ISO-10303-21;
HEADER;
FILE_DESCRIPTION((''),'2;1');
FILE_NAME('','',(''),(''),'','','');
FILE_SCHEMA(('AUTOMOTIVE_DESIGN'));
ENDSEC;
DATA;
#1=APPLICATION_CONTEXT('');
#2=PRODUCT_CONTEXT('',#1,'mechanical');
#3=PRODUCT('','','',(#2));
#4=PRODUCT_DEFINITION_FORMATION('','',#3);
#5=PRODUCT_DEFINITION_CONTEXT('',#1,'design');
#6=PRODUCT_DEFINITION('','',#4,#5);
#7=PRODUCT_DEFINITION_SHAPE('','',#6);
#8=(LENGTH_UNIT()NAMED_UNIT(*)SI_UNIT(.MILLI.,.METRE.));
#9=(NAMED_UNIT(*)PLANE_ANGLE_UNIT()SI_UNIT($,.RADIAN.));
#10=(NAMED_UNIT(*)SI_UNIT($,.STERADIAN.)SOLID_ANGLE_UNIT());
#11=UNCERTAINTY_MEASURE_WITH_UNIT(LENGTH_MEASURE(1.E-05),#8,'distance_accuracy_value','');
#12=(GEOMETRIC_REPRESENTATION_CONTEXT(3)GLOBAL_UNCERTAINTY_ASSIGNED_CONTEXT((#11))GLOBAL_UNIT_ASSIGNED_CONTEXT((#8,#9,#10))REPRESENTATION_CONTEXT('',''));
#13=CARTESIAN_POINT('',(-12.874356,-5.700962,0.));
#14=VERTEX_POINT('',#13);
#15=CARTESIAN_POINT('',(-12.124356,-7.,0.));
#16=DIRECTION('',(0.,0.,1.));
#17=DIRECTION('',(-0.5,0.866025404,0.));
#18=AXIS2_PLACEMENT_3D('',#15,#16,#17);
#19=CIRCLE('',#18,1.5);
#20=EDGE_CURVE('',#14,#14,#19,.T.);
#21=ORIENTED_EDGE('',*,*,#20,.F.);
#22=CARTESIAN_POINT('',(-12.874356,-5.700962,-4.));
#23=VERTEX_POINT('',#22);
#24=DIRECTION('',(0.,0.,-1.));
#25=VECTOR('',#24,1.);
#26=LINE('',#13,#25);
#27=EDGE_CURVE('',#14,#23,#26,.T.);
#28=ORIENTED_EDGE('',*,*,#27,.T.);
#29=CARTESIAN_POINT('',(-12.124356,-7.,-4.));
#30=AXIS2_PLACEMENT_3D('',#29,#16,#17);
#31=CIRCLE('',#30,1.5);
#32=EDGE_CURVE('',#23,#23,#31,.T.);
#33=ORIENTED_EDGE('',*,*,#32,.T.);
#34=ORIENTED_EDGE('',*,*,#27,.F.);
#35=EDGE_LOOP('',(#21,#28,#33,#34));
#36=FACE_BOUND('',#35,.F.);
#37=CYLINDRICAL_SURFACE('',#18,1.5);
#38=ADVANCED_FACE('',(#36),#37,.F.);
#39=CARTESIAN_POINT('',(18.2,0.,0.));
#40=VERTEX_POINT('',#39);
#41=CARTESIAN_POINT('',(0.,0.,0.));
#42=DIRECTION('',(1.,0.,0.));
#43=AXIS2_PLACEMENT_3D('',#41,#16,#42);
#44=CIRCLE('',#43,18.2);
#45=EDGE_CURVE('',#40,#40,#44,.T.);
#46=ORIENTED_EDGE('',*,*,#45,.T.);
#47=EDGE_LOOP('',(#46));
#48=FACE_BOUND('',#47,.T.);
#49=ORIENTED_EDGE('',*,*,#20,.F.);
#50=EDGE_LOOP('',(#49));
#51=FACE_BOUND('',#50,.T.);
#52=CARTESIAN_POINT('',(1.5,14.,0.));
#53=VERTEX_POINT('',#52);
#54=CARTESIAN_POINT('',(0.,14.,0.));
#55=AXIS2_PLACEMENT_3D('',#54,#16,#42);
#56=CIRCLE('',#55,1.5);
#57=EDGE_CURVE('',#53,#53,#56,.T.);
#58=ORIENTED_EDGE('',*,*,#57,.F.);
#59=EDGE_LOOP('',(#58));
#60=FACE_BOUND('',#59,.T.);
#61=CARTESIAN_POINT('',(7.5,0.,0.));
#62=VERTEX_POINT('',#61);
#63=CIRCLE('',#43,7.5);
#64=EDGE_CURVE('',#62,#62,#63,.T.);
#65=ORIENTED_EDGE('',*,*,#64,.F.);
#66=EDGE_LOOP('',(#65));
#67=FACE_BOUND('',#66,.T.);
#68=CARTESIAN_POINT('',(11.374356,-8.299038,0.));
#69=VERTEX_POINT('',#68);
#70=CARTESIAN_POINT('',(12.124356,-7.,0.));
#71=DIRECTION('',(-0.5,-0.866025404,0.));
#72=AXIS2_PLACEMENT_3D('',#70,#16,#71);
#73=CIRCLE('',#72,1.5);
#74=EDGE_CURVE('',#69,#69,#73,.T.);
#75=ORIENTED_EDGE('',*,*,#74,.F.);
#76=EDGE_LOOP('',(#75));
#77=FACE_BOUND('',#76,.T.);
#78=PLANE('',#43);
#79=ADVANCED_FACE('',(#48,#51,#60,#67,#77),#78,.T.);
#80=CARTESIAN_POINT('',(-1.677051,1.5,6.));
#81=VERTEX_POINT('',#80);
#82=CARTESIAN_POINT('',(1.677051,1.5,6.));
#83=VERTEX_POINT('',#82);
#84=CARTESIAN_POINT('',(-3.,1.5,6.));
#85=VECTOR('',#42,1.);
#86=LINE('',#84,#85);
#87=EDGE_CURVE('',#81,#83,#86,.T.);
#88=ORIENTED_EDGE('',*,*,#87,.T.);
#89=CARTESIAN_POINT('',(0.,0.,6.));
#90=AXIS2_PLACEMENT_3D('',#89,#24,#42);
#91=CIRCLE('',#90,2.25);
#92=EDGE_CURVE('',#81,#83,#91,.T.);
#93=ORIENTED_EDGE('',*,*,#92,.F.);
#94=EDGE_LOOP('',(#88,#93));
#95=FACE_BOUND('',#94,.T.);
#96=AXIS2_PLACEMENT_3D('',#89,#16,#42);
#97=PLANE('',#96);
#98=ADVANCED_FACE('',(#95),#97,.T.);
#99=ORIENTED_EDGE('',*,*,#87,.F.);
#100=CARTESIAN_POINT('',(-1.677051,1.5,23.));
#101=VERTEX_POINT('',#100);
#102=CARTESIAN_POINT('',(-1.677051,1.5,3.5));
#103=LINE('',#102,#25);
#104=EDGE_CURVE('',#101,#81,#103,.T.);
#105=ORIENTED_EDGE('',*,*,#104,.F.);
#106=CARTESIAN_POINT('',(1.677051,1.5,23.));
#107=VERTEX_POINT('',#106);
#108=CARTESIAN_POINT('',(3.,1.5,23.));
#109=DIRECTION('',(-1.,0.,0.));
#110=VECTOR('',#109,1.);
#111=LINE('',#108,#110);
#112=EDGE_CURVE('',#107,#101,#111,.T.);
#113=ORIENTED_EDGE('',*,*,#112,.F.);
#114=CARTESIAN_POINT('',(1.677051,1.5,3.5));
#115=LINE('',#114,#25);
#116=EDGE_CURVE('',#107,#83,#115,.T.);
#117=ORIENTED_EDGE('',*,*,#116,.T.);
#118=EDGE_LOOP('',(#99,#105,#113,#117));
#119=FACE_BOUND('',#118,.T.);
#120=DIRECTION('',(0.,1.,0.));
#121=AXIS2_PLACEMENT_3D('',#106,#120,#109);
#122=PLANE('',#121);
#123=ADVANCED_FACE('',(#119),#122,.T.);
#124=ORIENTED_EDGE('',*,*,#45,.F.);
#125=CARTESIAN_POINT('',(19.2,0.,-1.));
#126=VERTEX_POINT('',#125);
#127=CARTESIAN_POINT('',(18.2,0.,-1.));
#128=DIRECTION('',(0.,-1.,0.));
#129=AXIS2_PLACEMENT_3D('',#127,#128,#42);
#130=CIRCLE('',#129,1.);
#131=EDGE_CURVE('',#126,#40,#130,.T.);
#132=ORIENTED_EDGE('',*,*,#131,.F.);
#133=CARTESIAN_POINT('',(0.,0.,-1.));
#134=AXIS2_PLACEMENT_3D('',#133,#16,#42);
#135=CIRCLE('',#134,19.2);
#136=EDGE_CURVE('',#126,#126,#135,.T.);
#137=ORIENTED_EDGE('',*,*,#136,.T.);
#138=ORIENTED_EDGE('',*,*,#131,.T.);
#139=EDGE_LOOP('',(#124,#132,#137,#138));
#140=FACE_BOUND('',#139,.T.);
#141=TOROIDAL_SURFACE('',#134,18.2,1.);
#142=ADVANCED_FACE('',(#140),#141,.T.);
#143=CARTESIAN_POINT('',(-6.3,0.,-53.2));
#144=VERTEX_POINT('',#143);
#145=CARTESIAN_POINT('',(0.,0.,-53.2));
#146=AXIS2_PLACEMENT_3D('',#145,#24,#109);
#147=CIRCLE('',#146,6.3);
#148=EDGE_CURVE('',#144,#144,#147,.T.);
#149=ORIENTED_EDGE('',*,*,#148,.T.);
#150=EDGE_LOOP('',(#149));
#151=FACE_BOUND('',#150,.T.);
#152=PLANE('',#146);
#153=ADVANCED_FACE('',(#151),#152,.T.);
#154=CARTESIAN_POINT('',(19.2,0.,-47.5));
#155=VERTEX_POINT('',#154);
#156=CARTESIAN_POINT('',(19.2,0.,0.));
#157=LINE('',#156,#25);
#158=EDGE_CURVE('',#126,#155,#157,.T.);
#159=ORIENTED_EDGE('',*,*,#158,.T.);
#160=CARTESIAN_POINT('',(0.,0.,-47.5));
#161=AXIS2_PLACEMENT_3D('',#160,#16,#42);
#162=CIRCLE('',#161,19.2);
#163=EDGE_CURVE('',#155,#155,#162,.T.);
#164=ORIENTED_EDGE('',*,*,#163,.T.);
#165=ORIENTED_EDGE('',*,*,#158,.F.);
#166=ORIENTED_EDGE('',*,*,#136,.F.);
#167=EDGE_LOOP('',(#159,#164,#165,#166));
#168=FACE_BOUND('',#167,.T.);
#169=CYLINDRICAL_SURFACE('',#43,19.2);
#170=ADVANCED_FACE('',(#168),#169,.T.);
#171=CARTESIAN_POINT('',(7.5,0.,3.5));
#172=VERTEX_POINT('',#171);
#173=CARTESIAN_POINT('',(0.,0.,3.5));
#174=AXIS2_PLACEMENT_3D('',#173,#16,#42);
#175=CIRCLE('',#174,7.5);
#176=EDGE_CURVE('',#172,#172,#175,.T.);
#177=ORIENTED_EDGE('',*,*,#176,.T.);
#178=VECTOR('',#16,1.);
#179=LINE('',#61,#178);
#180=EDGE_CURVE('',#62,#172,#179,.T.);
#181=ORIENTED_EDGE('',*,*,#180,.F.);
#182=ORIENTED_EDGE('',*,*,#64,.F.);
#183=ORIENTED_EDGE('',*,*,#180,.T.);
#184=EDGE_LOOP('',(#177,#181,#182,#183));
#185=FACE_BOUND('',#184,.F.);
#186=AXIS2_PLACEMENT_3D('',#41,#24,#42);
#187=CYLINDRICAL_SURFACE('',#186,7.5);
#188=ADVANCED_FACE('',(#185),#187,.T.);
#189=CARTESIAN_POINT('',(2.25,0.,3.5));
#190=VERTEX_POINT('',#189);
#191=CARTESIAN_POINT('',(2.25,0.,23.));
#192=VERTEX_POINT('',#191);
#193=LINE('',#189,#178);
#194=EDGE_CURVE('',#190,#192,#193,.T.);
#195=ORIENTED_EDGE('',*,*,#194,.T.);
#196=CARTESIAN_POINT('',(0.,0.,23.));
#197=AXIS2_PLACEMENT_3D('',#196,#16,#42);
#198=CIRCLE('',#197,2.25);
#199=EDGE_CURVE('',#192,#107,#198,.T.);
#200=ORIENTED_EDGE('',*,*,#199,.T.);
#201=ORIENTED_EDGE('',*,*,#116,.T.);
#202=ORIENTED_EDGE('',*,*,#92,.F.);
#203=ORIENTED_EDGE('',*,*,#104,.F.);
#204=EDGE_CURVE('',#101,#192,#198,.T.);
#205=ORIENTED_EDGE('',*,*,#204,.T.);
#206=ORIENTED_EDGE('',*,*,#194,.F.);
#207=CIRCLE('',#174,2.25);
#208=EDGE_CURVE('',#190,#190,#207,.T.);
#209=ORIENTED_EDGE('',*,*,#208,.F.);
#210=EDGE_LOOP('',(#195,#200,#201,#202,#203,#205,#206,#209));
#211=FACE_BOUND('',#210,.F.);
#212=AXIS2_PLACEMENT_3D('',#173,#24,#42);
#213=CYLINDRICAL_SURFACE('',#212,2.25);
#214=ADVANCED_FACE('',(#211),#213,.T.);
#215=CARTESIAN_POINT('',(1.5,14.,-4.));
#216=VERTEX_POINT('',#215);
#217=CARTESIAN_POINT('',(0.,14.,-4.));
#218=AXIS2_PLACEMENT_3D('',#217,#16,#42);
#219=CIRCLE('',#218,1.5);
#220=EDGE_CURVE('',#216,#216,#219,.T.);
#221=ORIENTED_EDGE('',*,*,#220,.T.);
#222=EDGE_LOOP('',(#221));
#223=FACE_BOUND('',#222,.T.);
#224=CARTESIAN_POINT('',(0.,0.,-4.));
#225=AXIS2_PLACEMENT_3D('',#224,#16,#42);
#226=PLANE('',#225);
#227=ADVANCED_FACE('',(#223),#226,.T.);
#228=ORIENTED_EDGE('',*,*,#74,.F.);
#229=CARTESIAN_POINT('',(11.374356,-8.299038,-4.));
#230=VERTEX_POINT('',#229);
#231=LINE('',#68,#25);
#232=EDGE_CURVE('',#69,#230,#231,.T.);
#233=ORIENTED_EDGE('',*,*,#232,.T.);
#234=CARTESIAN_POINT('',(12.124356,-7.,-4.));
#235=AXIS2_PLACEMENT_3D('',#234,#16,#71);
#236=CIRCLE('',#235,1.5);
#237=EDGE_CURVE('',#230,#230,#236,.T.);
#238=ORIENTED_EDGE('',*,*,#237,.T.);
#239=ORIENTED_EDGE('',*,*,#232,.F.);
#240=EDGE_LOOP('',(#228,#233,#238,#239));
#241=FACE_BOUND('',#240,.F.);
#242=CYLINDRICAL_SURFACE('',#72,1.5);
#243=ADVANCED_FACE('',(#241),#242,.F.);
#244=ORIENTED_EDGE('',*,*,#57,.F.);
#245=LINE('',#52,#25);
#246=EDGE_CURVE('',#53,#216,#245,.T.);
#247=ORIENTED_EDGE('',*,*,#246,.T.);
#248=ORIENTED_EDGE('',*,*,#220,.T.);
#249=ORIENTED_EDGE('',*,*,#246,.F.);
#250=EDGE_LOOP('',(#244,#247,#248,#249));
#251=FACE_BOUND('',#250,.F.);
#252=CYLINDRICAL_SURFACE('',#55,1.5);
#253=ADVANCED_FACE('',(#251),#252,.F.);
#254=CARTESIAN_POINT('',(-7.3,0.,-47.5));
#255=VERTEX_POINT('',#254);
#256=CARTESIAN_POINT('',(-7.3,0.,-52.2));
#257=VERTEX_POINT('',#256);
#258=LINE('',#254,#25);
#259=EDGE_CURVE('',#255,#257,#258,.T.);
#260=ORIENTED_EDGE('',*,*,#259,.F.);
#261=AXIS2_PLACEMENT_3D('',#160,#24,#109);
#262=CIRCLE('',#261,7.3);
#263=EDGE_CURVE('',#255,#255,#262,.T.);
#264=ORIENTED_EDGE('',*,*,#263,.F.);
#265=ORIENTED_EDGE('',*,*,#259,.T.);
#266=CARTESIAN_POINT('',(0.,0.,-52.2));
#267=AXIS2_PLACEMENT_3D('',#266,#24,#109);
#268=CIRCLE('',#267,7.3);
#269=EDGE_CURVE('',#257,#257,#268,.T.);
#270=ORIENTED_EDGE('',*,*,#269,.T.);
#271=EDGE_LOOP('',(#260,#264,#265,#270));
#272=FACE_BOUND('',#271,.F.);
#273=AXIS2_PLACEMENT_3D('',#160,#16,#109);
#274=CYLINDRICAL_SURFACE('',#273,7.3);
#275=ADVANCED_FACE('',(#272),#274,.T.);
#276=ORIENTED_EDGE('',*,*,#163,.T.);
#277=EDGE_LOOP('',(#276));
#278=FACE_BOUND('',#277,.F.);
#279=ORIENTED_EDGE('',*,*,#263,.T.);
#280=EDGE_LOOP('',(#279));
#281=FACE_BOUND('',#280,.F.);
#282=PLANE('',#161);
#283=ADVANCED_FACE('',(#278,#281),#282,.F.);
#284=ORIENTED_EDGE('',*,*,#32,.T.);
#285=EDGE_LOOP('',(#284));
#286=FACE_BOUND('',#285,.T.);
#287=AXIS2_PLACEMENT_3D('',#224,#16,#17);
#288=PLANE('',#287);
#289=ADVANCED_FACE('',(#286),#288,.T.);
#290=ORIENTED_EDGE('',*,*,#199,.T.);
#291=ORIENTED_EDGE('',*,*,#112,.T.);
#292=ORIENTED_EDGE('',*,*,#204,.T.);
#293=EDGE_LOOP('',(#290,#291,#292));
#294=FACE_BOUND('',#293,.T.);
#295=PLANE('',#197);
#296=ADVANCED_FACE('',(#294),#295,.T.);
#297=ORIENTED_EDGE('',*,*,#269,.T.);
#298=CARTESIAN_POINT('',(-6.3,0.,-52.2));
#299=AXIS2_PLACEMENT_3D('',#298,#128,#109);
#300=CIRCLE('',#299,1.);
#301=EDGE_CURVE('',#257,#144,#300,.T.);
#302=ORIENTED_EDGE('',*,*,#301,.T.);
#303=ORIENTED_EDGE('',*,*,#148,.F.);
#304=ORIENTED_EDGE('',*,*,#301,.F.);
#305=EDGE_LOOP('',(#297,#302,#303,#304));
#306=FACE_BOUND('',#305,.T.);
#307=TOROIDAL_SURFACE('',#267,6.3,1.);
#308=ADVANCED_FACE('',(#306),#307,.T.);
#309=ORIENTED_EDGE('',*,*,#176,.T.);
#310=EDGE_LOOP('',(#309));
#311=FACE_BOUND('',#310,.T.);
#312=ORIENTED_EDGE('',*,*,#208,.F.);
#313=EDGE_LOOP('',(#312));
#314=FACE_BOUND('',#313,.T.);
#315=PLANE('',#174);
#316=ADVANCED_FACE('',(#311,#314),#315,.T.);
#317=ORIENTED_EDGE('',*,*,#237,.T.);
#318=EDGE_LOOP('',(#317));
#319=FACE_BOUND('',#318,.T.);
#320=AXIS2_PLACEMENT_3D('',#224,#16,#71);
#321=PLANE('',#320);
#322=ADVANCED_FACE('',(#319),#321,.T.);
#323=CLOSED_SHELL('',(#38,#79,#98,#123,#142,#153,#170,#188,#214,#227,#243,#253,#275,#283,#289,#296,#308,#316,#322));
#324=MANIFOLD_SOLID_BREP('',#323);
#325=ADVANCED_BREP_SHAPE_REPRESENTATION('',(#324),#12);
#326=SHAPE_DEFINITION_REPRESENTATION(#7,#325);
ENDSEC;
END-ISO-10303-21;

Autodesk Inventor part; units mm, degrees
ref_plane "YZ Plane" through (0, 0, 0) normal (1, 0, 0) x (0, 1, 0)
ref_plane "XZ Plane" through (0, 0, 0) normal (0, 1, 0) x (-1, 0, 0)
ref_plane "XY Plane" through (0, 0, 0) normal (0, 0, 1) x (1, 0, 0)
sketch "Esquisse1" plane through (0, 0, 0) normal (0, 0, 1) x (1, 0, 0)
  circle A0 centre (0, 0) radius 19.2
  dimension "d0" = 38.4
extrude "Extrusion1" add sketch "Esquisse1" against normal blind 47.5
sketch "Esquisse2" plane through (0, 0, 0) normal (0, 0, 1) x (1, 0, 0)
  circle A0 centre (0, 0) radius 19.2 projected
  circle A1 centre (0, 0) radius 7.5
  dimension "d3" = 15
extrude "Extrusion2" add sketch "Esquisse2" along normal blind 3.5 contours A1
sketch "Esquisse3" plane through (0, 0, 3.5) normal (0, 0, 1) x (1, 0, 0)
  circle A0 centre (0, 0) radius 7.5 projected
  circle A1 centre (0, 0) radius 2.25
  dimension "d6" = 4.5
extrude "Extrusion3" add sketch "Esquisse3" along normal blind 19.5 contours A1
sketch "Esquisse4" plane through (0, 0, -47.5) normal (0, 0, -1) x (-1, 0, 0)
  circle A0 centre (0, 0) radius 19.2 projected
  circle A1 centre (0, 0) radius 7.3
  dimension "d9" = 14.6
extrude "Extrusion4" add sketch "Esquisse4" along normal blind 5.7 contours A1
fillet "Congé1" radius 1 1 edges at (7.3, 0, -53.2)
fillet "Congé2" radius 1 1 edges at (-19.2, 0, 0)
sketch "Esquisse6" plane through (0, 0, 23) normal (0, 0, 1) x (1, 0, 0)
  circle A0 centre (0, 0) radius 2.25 projected
  line L0 (-3, 3.5) -> (3, 3.5)
  line L1 (3, 3.5) -> (3, 1.5)
  line L2 (3, 1.5) -> (-3, 1.5)
  line L3 (-3, 1.5) -> (-3, 3.5)
  dimension "d14" = 1.5
  dimension "d15" = 2
  dimension "d16" = 6
  dimension "d17" = 3
extrude "Extrusion5" cut sketch "Esquisse6" against normal blind 17 contours L2 A0 | A0 L2 L3 L0 L1 picked at (-0.424, 1.6187)
sketch "Esquisse7" plane through (0, 0, 0) normal (0, 0, 1) x (1, 0, 0)
  circle A0 centre (0, 0) radius 7.5 projected
  circle A1 centre (0, 14) radius 1.5
  dimension "d20" = 3
  dimension "d21" = 14
extrude "Extrusion6" cut sketch "Esquisse7" against normal blind 4 contours A1
thread "Filetage1" size "M3x0.5" class "6H" standard "ANSI Metric M Profile" full length
pattern_circular "Réseau circulaire1" count 3 over 360 about axis through (0, 0, 0) along (0, 0, -1) of "Extrusion6"
thread "Filetage2" size "M3x0.5" class "6H" standard "ANSI Metric M Profile" full length
thread "Filetage3" size "M3x0.5" class "6H" standard "ANSI Metric M Profile" full length
equation "\"d17\" = 0.5 * d16"
properties part number "Nidec_DMN37"
